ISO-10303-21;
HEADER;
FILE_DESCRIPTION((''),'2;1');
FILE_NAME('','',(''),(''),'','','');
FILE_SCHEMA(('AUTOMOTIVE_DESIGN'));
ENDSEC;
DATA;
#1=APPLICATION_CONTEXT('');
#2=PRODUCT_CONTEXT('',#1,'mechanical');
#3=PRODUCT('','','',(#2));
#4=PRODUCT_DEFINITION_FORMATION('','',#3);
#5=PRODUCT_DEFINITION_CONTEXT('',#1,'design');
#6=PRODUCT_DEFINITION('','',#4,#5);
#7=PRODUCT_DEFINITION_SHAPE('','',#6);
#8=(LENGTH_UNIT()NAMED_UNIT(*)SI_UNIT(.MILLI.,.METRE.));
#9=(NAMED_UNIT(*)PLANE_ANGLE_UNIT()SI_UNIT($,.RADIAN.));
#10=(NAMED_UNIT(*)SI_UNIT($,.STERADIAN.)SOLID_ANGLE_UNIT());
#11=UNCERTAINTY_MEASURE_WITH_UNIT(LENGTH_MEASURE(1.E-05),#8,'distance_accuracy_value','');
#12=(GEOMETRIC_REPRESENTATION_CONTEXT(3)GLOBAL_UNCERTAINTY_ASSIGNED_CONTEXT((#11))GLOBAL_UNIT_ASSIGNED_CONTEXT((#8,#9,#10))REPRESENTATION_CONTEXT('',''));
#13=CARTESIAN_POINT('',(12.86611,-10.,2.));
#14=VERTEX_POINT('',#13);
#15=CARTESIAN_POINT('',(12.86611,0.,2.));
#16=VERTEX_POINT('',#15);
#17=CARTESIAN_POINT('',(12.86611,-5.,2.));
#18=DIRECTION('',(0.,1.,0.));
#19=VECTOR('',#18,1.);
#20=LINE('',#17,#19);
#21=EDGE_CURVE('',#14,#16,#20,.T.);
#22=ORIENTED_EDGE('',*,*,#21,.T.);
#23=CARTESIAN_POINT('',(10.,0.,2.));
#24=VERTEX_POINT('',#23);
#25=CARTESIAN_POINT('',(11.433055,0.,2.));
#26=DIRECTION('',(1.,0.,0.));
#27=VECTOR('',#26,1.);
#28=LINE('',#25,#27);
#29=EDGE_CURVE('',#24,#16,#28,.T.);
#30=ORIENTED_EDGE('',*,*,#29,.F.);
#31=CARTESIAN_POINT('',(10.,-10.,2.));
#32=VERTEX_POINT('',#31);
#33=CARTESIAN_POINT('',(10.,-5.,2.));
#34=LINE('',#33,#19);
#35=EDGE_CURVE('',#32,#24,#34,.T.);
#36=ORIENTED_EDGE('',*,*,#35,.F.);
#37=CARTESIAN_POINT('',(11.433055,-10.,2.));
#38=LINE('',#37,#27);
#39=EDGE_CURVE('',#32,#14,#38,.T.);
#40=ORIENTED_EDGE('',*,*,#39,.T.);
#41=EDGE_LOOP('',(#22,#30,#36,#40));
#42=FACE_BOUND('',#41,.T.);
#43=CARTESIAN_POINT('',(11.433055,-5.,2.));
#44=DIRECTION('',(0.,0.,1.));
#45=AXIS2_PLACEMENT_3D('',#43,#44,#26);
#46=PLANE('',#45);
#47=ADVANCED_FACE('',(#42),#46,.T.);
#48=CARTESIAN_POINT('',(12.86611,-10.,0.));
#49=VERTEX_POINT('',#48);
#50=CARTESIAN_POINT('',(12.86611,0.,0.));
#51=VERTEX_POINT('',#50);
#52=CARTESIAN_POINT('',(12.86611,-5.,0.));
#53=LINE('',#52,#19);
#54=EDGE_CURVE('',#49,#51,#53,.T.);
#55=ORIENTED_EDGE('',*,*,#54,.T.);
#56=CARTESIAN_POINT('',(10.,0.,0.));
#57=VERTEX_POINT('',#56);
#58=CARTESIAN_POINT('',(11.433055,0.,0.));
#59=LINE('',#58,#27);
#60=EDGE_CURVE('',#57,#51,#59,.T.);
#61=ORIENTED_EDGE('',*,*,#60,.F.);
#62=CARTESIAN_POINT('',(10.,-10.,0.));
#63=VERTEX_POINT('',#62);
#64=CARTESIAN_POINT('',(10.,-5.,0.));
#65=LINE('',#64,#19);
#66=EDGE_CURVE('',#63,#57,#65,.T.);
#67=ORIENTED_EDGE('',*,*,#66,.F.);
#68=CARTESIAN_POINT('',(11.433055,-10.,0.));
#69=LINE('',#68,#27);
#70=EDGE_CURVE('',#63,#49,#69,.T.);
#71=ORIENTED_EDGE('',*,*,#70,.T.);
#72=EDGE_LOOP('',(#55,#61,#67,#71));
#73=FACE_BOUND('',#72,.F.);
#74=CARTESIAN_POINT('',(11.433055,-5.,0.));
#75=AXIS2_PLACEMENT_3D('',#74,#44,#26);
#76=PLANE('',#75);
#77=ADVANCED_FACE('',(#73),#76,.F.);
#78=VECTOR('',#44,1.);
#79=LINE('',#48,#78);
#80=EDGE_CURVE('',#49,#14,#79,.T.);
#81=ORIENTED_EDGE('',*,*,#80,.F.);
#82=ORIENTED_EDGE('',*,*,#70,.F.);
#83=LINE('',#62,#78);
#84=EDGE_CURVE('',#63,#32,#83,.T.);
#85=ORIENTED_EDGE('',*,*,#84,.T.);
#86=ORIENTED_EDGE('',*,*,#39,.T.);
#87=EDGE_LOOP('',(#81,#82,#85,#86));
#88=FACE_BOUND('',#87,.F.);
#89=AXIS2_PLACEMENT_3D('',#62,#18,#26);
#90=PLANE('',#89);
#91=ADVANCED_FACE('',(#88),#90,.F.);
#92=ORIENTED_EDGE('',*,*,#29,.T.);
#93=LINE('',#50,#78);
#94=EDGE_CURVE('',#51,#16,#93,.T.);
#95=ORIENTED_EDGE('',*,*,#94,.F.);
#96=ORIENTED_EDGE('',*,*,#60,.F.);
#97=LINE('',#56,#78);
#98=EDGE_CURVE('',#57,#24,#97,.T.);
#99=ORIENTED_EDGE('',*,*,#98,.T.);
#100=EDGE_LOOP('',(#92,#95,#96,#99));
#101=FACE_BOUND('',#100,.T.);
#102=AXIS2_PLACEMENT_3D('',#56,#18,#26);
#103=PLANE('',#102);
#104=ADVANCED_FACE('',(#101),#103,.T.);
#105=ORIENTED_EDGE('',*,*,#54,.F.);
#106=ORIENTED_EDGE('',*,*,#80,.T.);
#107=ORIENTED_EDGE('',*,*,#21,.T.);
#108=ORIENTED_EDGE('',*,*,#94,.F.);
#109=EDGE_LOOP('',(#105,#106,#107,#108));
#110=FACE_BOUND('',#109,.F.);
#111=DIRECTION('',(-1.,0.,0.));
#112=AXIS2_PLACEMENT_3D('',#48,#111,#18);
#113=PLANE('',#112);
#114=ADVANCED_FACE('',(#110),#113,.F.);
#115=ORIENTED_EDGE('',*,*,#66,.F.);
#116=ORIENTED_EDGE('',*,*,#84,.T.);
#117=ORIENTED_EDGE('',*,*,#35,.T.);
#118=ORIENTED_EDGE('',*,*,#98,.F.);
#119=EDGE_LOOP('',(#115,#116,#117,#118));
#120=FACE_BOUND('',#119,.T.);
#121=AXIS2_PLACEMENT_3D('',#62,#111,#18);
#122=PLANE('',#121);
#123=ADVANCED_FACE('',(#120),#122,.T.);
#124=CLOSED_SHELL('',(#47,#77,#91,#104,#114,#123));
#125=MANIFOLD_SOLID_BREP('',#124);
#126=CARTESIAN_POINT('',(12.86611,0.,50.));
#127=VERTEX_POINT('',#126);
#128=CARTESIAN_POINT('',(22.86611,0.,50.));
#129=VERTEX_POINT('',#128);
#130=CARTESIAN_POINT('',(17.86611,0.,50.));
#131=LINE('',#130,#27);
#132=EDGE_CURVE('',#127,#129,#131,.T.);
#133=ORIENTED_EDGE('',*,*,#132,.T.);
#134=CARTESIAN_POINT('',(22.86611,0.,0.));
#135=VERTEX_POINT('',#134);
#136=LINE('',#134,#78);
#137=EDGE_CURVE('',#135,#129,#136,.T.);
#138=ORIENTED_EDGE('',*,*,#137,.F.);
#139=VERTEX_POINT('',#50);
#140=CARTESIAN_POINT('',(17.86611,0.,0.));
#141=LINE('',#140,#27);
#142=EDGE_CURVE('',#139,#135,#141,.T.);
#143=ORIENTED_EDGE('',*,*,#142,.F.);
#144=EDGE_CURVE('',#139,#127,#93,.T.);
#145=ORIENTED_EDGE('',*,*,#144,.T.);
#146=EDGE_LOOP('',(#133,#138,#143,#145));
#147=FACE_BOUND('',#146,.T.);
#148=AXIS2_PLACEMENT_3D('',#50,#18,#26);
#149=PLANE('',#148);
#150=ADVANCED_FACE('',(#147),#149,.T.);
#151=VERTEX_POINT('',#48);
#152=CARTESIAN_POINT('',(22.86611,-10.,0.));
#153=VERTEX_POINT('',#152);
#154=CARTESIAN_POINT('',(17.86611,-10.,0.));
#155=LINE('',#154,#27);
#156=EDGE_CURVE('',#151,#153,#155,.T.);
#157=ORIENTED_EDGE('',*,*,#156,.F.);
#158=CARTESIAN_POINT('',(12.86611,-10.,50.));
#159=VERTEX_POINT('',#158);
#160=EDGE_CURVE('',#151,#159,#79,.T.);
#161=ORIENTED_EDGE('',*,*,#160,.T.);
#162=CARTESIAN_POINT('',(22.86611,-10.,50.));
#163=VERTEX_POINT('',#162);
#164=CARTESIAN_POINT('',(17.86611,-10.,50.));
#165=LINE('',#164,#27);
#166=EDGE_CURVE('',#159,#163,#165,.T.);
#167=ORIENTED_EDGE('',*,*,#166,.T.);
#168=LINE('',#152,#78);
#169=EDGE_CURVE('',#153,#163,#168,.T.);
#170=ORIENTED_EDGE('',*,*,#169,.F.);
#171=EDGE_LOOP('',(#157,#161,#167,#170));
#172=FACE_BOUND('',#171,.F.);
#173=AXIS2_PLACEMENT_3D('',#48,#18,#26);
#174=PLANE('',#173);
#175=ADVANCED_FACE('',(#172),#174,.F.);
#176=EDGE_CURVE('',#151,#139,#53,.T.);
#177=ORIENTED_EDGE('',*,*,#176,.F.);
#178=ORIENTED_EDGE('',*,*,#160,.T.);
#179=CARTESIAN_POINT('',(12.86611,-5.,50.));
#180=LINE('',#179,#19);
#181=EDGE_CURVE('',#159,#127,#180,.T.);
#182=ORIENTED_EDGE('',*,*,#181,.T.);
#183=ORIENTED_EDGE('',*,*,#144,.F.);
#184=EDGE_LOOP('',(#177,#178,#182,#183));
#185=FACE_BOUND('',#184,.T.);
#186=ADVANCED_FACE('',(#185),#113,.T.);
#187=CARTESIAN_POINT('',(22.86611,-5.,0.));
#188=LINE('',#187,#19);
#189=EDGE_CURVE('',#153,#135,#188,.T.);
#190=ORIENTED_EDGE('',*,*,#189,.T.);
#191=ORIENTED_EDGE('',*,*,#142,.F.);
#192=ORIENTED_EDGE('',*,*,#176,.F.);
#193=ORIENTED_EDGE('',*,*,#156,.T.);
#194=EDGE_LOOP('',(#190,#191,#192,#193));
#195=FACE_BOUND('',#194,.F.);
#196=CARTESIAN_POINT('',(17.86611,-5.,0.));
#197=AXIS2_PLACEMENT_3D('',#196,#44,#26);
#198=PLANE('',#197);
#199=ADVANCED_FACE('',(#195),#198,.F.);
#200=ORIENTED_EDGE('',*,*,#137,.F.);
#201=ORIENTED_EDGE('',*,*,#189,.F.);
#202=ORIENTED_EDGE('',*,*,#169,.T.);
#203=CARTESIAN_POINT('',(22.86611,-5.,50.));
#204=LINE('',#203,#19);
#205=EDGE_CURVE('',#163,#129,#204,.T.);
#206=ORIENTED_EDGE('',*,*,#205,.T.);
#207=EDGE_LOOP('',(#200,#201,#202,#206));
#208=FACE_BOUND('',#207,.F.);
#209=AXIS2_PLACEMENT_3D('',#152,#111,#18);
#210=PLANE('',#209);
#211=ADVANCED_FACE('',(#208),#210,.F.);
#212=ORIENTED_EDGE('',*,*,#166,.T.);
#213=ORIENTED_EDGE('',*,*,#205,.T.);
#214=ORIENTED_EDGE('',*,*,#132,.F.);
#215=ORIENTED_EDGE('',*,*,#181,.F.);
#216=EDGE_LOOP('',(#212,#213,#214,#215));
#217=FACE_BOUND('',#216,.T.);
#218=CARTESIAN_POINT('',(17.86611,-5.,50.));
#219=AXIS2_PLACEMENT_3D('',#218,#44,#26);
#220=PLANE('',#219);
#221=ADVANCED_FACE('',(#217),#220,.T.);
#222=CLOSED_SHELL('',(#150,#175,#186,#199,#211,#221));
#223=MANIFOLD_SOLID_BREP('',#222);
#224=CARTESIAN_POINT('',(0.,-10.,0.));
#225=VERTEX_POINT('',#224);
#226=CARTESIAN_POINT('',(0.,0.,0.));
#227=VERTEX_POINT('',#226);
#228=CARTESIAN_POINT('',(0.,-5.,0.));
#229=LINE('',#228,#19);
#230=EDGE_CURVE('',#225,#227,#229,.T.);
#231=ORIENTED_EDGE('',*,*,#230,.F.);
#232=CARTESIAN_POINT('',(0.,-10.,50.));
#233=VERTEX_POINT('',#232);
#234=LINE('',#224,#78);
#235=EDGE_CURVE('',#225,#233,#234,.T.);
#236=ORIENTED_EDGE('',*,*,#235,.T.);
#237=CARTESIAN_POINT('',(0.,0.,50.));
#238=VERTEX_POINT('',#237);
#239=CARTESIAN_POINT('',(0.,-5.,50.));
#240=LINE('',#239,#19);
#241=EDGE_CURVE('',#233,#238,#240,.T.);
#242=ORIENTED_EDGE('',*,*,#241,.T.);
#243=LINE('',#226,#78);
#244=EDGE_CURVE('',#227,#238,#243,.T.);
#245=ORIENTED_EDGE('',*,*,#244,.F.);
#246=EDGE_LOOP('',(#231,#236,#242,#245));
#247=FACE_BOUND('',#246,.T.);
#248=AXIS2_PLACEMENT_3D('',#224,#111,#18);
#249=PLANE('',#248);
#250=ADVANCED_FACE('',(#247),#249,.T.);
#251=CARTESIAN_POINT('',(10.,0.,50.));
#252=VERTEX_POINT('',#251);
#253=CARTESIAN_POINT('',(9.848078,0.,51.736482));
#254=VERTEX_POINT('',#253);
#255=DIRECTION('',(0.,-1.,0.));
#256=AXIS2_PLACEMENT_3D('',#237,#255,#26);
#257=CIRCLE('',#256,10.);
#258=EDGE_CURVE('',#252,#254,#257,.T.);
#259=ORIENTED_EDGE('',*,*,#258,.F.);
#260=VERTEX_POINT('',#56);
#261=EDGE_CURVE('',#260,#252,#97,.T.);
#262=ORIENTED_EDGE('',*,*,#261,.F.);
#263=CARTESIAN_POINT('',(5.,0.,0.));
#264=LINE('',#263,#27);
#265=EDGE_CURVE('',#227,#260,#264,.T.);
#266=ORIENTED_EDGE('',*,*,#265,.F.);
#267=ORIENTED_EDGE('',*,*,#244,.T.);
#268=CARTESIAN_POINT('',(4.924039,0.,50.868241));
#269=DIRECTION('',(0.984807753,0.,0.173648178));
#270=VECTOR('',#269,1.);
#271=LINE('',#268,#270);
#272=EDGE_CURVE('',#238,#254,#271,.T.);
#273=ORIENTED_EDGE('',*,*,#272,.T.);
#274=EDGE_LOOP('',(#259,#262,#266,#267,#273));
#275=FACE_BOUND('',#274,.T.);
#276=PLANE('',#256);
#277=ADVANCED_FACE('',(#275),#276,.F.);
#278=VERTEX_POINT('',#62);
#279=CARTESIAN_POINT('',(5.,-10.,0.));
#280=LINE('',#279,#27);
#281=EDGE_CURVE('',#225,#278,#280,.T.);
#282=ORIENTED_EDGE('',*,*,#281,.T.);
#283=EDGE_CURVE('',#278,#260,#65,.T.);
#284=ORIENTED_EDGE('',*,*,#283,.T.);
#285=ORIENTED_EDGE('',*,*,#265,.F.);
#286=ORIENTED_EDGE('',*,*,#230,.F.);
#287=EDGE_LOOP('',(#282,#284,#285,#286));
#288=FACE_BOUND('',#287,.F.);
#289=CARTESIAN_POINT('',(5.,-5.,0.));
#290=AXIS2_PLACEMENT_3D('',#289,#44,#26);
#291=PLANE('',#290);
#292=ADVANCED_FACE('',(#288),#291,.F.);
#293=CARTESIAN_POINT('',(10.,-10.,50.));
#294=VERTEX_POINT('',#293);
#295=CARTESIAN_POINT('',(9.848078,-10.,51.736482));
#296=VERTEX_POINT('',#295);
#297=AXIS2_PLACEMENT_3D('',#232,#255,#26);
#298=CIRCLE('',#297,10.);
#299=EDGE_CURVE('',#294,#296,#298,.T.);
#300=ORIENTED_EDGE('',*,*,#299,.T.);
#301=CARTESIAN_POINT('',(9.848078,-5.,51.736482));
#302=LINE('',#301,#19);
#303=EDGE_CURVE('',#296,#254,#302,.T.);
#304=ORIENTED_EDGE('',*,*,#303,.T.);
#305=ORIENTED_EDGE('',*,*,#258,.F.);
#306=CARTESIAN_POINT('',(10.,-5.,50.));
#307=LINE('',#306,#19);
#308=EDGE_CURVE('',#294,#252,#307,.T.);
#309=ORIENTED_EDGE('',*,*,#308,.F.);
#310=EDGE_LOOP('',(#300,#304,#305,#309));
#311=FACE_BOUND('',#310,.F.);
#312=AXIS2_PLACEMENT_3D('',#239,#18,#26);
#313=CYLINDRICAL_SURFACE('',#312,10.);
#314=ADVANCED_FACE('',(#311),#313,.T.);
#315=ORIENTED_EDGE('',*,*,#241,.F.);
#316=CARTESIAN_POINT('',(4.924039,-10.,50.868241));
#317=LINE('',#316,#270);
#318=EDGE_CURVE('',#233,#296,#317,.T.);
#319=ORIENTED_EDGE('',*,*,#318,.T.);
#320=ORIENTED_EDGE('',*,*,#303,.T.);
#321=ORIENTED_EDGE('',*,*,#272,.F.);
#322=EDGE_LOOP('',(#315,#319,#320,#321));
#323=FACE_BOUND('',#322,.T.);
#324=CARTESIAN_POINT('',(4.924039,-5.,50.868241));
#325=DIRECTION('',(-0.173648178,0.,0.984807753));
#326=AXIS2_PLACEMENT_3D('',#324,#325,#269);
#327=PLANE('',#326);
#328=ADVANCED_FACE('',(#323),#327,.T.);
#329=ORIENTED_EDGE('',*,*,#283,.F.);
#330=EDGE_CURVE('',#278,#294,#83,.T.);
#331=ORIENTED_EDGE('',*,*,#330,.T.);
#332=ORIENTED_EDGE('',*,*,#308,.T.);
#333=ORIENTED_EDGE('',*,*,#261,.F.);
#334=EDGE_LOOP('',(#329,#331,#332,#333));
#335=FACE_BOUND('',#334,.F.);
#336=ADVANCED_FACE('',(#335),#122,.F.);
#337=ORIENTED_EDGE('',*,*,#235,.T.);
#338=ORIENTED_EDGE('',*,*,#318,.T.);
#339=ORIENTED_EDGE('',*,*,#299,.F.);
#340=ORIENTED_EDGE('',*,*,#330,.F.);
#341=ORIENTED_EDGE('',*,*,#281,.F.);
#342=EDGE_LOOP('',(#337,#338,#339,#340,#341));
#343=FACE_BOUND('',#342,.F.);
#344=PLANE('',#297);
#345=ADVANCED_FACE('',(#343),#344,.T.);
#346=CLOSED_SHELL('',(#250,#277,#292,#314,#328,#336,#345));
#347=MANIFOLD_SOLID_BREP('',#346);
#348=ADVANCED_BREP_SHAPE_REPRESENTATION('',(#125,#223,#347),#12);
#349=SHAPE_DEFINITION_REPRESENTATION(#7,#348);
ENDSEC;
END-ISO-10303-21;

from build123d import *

# Parameters (mm, degrees)
F0_W      = 10
F0_H      = 10
F1_DEPTH  = 50
F0_W_2    = 2.86611
F2_DEPTH  = 2
F1_FACE_W = 10
F1_FACE_H = 10
F3_ANGLE  = 10


with BuildPart() as f1:
    # F0 (on Top) → F1 (new body)
    with BuildSketch(Plane.XY):
        with Locations((17.86611, -5)):
            Rectangle(F0_W, F0_H)
        with Locations((5, -5)):
            Rectangle(F0_W, F0_H)
    extrude(amount=F1_DEPTH)

    # F1_face (on face) → F3 (revolve)
    with BuildSketch(Plane(origin=(5, -5, 50), x_dir=(1, 0, 0), z_dir=(0, 0, 1))):
        Rectangle(F1_FACE_W, F1_FACE_H)
    revolve(axis=Axis((0, -5, 50), (0, -1, 0)), revolution_arc=F3_ANGLE)


with BuildPart() as f2:
    # F0 (on Top) → F2 (new body)
    with BuildSketch(Plane.XY):
        with Locations((11.433055, -5)):
            Rectangle(F0_W_2, F0_H)
    extrude(amount=F2_DEPTH)


solid = Compound([f1.part, f2.part])
